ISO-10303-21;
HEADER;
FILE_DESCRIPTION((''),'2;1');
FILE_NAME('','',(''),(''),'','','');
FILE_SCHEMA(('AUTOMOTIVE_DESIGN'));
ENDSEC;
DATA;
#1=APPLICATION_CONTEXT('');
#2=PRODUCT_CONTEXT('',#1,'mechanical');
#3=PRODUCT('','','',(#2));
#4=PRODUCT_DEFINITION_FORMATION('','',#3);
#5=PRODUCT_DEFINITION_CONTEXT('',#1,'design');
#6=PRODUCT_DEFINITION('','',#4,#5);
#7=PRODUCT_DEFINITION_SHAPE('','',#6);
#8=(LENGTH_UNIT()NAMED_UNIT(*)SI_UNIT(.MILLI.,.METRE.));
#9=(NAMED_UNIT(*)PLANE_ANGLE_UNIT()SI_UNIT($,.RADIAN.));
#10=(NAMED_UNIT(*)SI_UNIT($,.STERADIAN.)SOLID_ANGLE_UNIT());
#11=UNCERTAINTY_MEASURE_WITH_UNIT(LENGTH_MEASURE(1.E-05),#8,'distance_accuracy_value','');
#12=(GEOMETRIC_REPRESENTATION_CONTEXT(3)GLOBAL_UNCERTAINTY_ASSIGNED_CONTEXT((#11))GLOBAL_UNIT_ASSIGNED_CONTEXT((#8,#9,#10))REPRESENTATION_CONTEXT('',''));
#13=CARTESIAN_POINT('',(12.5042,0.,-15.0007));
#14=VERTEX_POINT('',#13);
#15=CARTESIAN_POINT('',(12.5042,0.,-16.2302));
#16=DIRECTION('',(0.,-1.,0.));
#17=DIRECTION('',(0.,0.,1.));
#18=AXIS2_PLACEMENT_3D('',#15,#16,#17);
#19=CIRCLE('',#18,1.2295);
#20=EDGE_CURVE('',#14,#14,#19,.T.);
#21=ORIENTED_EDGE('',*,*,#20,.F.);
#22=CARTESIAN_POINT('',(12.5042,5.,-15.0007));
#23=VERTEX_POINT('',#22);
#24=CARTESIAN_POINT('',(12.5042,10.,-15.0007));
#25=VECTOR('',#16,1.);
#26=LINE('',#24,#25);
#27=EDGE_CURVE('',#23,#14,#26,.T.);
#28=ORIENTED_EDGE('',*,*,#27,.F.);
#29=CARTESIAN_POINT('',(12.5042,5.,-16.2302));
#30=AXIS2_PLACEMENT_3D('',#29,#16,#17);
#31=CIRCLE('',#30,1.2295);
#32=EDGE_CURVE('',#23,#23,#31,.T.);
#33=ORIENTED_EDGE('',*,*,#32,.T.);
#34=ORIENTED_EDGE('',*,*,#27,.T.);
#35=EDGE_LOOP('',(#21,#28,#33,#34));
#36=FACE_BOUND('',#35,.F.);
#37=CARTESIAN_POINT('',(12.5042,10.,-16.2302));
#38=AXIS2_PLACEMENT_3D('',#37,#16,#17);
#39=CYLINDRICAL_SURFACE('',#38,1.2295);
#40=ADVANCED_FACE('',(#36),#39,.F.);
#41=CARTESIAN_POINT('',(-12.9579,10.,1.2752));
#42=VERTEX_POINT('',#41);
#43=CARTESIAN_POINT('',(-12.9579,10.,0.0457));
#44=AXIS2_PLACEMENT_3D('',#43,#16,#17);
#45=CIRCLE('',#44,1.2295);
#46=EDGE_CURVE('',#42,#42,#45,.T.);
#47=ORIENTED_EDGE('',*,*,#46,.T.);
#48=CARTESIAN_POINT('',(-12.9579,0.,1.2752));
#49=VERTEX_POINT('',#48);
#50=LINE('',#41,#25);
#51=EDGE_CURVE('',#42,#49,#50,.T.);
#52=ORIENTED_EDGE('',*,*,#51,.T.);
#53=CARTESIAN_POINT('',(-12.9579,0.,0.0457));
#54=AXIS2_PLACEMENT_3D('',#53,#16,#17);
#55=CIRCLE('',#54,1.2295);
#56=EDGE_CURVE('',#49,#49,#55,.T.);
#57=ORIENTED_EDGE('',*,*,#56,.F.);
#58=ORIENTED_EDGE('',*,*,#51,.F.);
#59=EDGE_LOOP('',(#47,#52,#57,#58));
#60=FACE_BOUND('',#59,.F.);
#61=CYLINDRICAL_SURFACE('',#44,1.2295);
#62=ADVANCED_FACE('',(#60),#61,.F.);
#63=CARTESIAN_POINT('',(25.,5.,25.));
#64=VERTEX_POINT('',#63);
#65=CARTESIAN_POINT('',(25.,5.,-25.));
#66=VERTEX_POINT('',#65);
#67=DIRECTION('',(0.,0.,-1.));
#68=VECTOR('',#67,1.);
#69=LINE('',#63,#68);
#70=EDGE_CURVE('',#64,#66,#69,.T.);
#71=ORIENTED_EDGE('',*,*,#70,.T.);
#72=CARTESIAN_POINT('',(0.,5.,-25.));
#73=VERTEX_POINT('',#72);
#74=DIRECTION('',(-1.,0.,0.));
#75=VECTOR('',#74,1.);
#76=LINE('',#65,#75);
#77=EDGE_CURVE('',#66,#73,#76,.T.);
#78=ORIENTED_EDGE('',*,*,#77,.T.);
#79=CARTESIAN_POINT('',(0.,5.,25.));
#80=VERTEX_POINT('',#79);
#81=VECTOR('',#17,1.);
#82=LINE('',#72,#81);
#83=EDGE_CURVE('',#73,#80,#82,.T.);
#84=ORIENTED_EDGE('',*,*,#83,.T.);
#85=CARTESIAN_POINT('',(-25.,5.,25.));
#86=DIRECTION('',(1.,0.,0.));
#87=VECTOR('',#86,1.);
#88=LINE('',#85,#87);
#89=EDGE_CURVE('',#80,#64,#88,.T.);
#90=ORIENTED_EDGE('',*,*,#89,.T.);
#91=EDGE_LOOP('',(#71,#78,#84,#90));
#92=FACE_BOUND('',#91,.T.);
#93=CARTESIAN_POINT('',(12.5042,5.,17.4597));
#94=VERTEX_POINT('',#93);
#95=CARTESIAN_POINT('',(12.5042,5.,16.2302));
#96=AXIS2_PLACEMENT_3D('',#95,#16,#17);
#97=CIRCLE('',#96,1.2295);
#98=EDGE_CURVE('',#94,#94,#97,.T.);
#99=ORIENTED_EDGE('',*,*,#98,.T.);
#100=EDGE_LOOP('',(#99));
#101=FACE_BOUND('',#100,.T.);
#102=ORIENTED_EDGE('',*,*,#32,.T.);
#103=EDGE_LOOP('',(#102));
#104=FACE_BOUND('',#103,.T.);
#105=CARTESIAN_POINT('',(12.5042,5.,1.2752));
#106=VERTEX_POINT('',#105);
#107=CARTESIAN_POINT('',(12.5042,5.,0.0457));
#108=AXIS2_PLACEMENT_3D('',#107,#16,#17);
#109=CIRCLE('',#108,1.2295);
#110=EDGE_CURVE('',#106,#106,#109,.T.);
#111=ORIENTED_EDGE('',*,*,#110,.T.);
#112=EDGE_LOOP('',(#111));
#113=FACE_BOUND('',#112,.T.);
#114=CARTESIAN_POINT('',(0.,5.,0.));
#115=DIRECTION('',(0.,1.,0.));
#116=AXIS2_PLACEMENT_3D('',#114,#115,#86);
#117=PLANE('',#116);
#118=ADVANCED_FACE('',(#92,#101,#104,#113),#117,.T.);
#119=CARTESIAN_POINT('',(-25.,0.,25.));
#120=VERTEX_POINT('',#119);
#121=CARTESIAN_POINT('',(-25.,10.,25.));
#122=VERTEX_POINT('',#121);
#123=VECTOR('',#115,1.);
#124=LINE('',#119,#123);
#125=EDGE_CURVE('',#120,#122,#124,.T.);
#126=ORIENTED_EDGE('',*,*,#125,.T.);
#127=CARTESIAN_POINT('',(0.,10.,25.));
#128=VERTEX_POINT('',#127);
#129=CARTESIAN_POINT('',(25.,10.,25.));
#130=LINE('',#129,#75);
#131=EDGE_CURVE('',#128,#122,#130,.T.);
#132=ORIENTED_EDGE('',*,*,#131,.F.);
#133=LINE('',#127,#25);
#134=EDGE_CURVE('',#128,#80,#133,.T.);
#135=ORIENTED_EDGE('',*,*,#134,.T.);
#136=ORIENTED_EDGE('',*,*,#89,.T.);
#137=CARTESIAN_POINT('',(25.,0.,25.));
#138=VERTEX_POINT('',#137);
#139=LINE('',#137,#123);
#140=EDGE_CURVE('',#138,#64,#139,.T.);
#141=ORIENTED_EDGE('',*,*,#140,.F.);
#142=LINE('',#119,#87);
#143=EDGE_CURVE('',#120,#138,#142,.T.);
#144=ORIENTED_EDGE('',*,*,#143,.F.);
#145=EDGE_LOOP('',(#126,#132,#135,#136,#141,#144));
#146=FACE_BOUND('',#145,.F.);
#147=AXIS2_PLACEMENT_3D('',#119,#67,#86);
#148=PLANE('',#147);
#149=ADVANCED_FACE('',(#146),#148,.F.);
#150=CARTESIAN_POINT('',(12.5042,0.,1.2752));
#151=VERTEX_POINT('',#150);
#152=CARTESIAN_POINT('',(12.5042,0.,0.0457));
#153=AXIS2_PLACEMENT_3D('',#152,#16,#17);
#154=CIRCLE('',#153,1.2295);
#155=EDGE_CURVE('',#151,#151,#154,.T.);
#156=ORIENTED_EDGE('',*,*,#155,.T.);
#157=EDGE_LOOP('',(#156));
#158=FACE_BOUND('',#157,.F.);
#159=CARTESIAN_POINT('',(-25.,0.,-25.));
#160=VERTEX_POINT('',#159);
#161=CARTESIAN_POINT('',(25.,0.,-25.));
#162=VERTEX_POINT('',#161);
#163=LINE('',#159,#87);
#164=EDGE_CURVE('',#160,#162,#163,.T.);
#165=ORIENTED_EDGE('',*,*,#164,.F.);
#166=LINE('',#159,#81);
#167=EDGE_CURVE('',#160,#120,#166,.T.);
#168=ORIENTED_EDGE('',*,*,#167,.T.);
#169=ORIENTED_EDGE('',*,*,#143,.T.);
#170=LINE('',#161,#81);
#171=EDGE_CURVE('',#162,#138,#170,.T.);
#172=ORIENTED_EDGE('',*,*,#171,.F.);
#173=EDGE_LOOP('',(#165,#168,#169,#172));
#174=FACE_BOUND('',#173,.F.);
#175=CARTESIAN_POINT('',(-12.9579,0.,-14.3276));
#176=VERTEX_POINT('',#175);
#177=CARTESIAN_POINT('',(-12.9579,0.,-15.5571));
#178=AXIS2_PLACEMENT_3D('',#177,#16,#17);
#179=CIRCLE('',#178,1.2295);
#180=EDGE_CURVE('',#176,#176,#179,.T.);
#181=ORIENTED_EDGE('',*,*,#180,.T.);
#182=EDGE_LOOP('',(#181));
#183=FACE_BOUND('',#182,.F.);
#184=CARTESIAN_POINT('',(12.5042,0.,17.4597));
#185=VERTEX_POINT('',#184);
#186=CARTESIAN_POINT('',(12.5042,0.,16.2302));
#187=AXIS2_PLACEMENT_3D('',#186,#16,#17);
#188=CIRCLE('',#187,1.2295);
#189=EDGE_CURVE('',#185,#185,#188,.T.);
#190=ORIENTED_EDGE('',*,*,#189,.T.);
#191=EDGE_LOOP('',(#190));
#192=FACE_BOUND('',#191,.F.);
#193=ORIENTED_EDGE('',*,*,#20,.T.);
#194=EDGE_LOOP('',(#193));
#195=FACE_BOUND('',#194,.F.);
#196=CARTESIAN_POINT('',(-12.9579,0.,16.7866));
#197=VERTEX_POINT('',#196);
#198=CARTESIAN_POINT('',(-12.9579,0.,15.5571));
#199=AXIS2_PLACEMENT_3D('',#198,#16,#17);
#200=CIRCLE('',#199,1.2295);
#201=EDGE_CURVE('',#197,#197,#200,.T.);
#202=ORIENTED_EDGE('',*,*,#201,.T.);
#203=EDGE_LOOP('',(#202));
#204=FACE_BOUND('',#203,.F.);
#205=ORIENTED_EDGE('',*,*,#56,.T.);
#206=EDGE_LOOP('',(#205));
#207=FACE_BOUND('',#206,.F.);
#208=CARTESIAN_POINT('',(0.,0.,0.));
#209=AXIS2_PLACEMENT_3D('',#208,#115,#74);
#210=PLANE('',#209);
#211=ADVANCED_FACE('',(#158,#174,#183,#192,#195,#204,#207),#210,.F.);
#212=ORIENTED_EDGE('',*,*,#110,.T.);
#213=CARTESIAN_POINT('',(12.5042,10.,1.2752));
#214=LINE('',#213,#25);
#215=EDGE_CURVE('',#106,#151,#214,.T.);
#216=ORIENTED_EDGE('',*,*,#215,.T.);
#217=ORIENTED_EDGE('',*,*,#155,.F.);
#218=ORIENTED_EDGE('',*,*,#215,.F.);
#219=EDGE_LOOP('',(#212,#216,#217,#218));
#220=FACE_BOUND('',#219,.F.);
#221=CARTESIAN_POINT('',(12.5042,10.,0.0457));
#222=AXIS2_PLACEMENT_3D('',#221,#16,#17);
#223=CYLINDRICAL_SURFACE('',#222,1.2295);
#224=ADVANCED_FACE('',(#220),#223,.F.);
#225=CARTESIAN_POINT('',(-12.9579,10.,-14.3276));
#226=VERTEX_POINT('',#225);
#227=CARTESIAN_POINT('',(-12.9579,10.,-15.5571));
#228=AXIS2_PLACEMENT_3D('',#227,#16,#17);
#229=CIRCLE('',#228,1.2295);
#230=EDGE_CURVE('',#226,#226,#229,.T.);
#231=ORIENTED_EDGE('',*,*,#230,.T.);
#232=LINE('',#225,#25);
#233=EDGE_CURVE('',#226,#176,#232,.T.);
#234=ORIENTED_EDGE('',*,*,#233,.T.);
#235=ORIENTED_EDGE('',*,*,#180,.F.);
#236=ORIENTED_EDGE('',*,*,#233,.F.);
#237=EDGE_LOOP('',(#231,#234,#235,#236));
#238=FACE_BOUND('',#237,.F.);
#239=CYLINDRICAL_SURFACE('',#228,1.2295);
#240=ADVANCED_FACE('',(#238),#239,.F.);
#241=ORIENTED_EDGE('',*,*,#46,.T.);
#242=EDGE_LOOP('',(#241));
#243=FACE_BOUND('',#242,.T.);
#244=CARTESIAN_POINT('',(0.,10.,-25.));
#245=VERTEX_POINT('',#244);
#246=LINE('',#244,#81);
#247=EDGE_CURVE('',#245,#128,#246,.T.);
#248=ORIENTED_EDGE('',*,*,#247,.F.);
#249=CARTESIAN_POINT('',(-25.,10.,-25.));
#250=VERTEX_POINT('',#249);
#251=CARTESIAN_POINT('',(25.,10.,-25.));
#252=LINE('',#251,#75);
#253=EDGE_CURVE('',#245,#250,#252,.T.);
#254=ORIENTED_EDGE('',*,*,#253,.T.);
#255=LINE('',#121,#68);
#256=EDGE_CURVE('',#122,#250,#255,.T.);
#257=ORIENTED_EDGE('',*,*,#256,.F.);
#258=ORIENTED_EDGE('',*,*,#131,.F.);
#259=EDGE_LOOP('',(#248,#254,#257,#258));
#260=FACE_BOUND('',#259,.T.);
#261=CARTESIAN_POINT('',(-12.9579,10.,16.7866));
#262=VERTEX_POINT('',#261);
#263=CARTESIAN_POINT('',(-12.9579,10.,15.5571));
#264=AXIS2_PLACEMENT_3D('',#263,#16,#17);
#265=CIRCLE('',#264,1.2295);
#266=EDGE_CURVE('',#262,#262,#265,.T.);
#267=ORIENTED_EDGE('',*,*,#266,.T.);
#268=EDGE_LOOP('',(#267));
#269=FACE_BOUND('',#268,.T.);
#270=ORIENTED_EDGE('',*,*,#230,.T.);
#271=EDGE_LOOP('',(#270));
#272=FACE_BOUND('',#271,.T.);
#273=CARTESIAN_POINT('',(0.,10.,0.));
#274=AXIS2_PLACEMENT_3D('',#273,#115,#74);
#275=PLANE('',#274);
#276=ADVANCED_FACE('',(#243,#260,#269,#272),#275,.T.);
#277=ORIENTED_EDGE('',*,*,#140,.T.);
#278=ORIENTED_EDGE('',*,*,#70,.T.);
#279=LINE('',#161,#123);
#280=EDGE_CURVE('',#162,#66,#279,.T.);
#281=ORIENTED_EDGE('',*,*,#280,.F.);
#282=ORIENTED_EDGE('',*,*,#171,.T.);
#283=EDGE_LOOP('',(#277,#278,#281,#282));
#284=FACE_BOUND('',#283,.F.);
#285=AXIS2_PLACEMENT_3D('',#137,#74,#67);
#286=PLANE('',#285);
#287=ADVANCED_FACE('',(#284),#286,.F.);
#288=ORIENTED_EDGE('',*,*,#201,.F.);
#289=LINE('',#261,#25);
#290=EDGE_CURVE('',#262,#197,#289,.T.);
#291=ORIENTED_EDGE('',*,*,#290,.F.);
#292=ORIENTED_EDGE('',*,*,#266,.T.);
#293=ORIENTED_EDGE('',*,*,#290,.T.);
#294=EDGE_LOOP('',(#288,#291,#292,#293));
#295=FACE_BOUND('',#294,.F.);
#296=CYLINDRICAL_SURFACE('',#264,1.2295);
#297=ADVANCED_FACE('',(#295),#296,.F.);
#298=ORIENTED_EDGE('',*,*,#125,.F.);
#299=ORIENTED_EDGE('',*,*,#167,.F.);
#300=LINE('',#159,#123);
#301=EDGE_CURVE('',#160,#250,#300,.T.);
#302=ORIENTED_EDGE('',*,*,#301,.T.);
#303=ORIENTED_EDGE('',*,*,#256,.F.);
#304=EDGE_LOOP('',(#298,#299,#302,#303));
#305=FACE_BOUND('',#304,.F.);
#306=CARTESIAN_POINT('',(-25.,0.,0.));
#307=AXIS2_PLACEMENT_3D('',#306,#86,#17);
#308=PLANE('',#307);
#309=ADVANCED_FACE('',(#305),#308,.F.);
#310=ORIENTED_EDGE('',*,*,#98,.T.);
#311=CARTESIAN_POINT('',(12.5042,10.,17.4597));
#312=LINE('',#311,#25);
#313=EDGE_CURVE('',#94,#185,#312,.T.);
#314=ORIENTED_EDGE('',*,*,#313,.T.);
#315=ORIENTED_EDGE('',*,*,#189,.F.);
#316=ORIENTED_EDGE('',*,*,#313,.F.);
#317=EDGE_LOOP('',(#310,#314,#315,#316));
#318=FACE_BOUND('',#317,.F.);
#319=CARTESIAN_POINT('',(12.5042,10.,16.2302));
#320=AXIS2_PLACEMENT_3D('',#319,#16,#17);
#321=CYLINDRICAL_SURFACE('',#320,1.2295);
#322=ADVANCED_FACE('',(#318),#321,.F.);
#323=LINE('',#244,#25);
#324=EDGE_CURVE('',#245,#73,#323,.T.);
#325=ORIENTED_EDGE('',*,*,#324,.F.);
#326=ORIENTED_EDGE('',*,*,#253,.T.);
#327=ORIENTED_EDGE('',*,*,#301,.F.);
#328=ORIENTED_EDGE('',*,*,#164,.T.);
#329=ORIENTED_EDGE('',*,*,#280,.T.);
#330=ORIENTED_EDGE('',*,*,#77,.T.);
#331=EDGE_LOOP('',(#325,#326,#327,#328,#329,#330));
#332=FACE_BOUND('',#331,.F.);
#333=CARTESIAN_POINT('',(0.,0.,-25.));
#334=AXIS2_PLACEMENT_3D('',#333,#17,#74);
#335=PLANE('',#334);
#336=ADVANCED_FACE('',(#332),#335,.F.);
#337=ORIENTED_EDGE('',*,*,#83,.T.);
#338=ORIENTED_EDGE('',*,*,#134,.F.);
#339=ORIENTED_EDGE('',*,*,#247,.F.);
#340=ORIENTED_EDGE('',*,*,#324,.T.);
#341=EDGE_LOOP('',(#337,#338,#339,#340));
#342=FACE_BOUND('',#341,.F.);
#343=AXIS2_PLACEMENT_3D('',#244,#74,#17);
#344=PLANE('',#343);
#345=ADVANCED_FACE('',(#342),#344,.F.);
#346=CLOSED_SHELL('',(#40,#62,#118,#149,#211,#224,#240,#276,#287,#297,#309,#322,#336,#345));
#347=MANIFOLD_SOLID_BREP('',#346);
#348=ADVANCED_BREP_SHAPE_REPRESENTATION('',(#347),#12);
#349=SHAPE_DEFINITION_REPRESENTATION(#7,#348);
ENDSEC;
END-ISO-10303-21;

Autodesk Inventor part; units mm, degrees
ref_plane "YZ Plane" through (0, 0, 0) normal (1, 0, 0) x (0, 1, 0)
ref_plane "XZ Plane" through (0, 0, 0) normal (0, 1, 0) x (-1, 0, 0)
ref_plane "XY Plane" through (0, 0, 0) normal (0, 0, 1) x (1, 0, 0)
sketch "Sketch1" plane through (0, 0, 0) normal (0, 1, 0) x (-1, 0, 0)
  line L0 (25, 25) -> (-25, 25)
  line L1 (-25, 25) -> (-25, -25)
  line L2 (-25, -25) -> (25, -25)
  line L3 (25, -25) -> (25, 25)
  line L4 (35, 0) -> (-35, 0) projected
  line L5 (0, -35) -> (0, 35) projected
  point P0 (0, 0)
  dimension "d0" = 50
  dimension "d1" = 50
extrude "Extrusion1" add sketch "Sketch1" along normal blind 10
sketch "Sketch2" plane through (0, 10, 0) normal (0, 1, 0) x (1, 0, 0)
  line L0 (-25, -25) -> (25, -25) projected
  line L1 (25, -25) -> (25, 25) projected
  line L2 (0, -25) -> (25, -25)
  line L3 (25, -25) -> (25, 25)
  line L4 (25, 25) -> (0, 25)
  line L5 (0, 25) -> (0, -25)
  point P0 (0, 0)
extrude "Extrusion2" cut sketch "Sketch2" against normal blind 5
sketch "Sketch3" plane through (0, 10, 0) normal (0, 1, 0) x (1, 0, 0)
  line L0 (-12.9579, -25.0914) -> (-12.9579, 25) construction
  line L1 (25, 25) -> (-25, 25) construction
  line L2 (12.5042, -25.0914) -> (12.5042, 25) construction
  line L3 (-35, 0) -> (35, 0) construction
  point P0 (0, 0)
  point P1 (-12.9579, -0.0457)
  point P2 (-12.9579, -15.5571)
  point P3 (-12.9579, 15.5571)
  point P4 (12.5042, -16.2302)
  point P5 (12.5042, -0.0457)
  point P6 (12.5042, 16.2302)
hole "Hole1" at (-12.9579, 10, 0.0457) at (-12.9579, 10, -15.5571) at (12.5042, 10, 16.2302) at (12.5042, 10, 0.0457) at (12.5042, 10, -16.2302) at (-12.9579, 10, 15.5571) direction (0, -1, 0) diameter 2.459 depth 10 thread size "M3x0.5" class "6H" standard "ISO Metric profile"
equation "\"d1\" = d0"
properties part number "screwbase"
